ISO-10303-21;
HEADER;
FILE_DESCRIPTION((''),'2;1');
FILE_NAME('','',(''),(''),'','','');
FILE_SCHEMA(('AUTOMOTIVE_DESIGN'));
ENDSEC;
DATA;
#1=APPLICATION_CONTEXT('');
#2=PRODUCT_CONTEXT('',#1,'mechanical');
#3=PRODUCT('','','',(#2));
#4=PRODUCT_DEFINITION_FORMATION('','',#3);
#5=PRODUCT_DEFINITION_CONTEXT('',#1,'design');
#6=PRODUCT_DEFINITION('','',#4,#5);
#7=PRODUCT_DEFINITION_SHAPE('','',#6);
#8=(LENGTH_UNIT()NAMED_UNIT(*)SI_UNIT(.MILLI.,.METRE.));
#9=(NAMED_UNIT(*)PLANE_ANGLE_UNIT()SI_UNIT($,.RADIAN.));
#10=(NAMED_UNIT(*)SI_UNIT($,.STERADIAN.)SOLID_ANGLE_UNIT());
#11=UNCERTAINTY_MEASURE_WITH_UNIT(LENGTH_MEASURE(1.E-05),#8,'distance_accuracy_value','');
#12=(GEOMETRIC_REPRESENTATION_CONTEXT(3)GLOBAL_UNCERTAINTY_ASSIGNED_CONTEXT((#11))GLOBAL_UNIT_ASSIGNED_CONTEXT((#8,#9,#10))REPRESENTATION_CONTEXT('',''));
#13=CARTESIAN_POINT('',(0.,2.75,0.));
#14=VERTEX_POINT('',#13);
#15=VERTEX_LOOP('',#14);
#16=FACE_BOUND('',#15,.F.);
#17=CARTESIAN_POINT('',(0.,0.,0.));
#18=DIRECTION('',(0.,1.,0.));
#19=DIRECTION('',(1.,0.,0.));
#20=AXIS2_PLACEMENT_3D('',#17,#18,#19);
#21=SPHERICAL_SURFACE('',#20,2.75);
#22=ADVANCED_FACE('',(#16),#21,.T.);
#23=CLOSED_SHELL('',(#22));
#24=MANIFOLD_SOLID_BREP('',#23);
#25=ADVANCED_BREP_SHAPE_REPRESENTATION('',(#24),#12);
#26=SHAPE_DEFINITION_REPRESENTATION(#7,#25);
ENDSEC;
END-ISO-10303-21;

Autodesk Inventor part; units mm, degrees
ref_plane "YZ Plane" through (0, 0, 0) normal (1, 0, 0) x (0, 1, 0)
ref_plane "XZ Plane" through (0, 0, 0) normal (0, 1, 0) x (-1, 0, 0)
ref_plane "XY Plane" through (0, 0, 0) normal (0, 0, 1) x (1, 0, 0)
sketch "スケッチ1" plane through (0, 0, 0) normal (0, 0, 1) x (1, 0, 0)
  arc A0 (0, -2.75) -> (0, 2.75) centre (0, 0) ccw
  line L0 (0, 2.75) -> (0, -2.75)
  dimension "d0" = 5.5
revolve "回転1" add sketch "スケッチ1" angle 360 about axis through (0, 2.75, 0) along (0, -1, 0)
properties part number "Parts_BallBearing_SBM-SUJ-5.5" material "鋼"
